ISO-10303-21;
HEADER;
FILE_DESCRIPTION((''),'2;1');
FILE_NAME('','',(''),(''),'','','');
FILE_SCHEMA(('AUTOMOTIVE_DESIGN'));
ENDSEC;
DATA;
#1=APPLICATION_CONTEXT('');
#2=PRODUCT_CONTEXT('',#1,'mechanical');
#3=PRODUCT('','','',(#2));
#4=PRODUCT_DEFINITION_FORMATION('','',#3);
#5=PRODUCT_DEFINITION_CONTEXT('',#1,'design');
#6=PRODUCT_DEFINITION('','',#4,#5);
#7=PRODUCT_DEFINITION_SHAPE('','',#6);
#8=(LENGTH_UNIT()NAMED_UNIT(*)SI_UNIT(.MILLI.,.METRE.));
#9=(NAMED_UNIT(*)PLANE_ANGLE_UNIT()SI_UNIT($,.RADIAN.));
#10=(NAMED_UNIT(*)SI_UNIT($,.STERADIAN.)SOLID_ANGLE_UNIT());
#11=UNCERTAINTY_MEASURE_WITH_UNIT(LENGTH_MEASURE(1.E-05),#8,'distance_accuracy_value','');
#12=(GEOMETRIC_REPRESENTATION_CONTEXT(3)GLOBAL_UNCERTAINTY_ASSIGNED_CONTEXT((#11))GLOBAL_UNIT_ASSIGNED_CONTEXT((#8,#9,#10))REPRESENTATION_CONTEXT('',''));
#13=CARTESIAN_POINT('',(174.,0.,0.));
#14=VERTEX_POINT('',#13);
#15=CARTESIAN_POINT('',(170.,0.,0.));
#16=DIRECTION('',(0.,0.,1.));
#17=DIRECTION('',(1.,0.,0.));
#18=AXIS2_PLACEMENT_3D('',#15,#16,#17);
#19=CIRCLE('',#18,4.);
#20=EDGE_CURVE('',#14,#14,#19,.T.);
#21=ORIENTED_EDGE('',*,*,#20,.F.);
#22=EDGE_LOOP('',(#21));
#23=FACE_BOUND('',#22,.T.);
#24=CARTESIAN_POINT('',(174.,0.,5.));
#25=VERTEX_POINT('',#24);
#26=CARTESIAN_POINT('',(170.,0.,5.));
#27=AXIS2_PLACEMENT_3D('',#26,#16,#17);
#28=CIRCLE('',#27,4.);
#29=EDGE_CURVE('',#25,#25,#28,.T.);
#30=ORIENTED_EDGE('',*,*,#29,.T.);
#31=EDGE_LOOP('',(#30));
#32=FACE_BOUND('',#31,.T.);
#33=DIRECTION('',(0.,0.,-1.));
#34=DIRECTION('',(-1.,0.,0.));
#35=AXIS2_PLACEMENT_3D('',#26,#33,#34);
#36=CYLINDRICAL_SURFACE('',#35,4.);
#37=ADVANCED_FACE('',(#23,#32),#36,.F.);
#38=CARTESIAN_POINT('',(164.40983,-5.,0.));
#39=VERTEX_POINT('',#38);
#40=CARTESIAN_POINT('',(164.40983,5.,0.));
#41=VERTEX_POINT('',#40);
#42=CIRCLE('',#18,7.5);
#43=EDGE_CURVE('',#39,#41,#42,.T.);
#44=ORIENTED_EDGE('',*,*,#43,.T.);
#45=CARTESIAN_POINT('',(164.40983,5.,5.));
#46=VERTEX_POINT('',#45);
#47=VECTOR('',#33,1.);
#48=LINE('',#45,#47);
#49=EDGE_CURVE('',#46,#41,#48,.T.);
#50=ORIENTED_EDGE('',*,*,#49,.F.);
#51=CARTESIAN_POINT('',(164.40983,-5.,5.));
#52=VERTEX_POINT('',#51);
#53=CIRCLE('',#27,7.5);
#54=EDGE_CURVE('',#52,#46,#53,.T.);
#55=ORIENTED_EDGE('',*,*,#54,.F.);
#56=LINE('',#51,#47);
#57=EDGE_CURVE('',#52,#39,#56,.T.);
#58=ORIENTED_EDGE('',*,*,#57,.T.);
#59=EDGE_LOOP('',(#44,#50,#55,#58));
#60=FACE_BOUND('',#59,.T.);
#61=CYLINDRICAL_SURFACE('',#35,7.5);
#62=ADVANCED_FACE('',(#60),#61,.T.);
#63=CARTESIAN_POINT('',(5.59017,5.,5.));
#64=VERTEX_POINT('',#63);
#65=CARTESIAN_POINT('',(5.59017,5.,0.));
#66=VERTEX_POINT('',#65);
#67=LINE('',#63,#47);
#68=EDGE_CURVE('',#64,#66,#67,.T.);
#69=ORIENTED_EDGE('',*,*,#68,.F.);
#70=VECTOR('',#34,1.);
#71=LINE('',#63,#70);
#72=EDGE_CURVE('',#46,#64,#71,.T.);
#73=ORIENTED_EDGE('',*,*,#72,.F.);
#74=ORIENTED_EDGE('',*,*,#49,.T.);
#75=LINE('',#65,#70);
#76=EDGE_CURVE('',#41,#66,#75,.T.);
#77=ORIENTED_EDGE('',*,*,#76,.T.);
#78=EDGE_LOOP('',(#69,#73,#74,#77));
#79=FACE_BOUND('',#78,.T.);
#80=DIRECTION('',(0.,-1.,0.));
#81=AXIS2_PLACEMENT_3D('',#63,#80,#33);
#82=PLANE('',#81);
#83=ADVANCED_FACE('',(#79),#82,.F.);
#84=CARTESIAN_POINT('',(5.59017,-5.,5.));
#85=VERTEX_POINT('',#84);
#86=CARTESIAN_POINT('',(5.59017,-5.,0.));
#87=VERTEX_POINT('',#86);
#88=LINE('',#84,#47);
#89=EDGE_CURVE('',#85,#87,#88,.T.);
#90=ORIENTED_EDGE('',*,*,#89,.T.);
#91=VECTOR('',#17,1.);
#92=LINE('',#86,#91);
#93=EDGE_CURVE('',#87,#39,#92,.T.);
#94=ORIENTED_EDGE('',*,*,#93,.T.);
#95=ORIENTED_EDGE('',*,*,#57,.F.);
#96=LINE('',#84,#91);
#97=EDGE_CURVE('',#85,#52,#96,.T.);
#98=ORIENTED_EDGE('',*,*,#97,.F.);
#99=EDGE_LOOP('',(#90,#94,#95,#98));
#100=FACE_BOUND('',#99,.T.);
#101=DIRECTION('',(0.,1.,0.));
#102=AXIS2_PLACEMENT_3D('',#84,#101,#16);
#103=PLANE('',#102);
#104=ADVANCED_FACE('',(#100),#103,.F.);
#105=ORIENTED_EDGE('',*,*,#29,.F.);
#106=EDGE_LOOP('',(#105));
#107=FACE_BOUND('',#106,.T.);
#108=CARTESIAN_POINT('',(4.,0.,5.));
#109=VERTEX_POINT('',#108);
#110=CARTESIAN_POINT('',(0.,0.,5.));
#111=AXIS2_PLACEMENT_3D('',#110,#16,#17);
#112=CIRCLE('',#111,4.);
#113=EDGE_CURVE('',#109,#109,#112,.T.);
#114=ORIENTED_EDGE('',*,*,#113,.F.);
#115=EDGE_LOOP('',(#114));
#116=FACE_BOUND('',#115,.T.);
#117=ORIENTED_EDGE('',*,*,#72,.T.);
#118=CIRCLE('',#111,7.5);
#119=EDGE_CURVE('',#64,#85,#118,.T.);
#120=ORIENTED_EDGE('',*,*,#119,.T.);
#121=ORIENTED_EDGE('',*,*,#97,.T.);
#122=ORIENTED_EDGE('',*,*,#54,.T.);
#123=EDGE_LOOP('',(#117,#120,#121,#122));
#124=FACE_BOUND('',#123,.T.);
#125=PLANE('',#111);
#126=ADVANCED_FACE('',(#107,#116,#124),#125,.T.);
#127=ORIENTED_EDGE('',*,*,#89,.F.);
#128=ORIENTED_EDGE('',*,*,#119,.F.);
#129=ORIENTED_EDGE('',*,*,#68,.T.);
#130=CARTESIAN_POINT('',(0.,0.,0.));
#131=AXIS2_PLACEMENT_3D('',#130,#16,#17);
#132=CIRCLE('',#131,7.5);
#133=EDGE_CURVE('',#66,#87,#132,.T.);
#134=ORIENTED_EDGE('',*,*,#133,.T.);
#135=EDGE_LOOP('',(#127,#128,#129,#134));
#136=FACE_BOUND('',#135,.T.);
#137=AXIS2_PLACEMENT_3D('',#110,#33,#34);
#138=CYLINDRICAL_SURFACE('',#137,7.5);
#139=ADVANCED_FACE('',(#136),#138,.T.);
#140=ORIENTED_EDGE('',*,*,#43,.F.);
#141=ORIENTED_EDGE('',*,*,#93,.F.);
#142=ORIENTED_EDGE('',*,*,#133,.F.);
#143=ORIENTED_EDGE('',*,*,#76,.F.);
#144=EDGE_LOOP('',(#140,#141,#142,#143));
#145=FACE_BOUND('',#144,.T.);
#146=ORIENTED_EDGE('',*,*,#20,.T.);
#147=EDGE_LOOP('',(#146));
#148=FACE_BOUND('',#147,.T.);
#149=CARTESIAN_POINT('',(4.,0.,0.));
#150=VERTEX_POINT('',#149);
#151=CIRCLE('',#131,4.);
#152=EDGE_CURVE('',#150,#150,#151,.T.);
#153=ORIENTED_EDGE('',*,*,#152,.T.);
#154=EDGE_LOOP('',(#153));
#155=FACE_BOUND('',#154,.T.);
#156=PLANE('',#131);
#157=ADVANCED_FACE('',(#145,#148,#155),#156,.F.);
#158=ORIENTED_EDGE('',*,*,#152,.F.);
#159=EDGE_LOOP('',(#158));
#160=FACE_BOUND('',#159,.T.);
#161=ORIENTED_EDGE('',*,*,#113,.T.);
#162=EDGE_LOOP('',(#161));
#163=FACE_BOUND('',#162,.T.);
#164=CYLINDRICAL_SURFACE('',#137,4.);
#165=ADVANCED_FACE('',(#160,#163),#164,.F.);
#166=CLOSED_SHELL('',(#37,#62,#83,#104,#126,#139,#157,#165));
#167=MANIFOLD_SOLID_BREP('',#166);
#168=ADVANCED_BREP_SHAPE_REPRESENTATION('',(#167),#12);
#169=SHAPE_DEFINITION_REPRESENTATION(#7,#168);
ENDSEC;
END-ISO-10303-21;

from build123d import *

# Parameters (mm, degrees)
SCHIZZO1_R                   = 4
ESTRUSIONE_ESTRUSIONE1_DEPTH = 5


with BuildPart() as part:
    # Schizzo1 → Estrusione-Estrusione1 (new body)
    with BuildSketch(Plane.XY):
        with BuildLine():
            Line((5.590169944, -5), (164.409830056, -5))
            ThreePointArc((164.409830056, -5), (177.5, 0), (164.409830056, 5))
            Line((164.409830056, 5), (5.590169944, 5))
            ThreePointArc((5.590169944, 5), (-7.5, 0), (5.590169944, -5))
        make_face()
        Circle(SCHIZZO1_R, mode=Mode.SUBTRACT)
        with Locations((170, 0)):
            Circle(SCHIZZO1_R, mode=Mode.SUBTRACT)
    extrude(amount=ESTRUSIONE_ESTRUSIONE1_DEPTH)


solid = part.part
